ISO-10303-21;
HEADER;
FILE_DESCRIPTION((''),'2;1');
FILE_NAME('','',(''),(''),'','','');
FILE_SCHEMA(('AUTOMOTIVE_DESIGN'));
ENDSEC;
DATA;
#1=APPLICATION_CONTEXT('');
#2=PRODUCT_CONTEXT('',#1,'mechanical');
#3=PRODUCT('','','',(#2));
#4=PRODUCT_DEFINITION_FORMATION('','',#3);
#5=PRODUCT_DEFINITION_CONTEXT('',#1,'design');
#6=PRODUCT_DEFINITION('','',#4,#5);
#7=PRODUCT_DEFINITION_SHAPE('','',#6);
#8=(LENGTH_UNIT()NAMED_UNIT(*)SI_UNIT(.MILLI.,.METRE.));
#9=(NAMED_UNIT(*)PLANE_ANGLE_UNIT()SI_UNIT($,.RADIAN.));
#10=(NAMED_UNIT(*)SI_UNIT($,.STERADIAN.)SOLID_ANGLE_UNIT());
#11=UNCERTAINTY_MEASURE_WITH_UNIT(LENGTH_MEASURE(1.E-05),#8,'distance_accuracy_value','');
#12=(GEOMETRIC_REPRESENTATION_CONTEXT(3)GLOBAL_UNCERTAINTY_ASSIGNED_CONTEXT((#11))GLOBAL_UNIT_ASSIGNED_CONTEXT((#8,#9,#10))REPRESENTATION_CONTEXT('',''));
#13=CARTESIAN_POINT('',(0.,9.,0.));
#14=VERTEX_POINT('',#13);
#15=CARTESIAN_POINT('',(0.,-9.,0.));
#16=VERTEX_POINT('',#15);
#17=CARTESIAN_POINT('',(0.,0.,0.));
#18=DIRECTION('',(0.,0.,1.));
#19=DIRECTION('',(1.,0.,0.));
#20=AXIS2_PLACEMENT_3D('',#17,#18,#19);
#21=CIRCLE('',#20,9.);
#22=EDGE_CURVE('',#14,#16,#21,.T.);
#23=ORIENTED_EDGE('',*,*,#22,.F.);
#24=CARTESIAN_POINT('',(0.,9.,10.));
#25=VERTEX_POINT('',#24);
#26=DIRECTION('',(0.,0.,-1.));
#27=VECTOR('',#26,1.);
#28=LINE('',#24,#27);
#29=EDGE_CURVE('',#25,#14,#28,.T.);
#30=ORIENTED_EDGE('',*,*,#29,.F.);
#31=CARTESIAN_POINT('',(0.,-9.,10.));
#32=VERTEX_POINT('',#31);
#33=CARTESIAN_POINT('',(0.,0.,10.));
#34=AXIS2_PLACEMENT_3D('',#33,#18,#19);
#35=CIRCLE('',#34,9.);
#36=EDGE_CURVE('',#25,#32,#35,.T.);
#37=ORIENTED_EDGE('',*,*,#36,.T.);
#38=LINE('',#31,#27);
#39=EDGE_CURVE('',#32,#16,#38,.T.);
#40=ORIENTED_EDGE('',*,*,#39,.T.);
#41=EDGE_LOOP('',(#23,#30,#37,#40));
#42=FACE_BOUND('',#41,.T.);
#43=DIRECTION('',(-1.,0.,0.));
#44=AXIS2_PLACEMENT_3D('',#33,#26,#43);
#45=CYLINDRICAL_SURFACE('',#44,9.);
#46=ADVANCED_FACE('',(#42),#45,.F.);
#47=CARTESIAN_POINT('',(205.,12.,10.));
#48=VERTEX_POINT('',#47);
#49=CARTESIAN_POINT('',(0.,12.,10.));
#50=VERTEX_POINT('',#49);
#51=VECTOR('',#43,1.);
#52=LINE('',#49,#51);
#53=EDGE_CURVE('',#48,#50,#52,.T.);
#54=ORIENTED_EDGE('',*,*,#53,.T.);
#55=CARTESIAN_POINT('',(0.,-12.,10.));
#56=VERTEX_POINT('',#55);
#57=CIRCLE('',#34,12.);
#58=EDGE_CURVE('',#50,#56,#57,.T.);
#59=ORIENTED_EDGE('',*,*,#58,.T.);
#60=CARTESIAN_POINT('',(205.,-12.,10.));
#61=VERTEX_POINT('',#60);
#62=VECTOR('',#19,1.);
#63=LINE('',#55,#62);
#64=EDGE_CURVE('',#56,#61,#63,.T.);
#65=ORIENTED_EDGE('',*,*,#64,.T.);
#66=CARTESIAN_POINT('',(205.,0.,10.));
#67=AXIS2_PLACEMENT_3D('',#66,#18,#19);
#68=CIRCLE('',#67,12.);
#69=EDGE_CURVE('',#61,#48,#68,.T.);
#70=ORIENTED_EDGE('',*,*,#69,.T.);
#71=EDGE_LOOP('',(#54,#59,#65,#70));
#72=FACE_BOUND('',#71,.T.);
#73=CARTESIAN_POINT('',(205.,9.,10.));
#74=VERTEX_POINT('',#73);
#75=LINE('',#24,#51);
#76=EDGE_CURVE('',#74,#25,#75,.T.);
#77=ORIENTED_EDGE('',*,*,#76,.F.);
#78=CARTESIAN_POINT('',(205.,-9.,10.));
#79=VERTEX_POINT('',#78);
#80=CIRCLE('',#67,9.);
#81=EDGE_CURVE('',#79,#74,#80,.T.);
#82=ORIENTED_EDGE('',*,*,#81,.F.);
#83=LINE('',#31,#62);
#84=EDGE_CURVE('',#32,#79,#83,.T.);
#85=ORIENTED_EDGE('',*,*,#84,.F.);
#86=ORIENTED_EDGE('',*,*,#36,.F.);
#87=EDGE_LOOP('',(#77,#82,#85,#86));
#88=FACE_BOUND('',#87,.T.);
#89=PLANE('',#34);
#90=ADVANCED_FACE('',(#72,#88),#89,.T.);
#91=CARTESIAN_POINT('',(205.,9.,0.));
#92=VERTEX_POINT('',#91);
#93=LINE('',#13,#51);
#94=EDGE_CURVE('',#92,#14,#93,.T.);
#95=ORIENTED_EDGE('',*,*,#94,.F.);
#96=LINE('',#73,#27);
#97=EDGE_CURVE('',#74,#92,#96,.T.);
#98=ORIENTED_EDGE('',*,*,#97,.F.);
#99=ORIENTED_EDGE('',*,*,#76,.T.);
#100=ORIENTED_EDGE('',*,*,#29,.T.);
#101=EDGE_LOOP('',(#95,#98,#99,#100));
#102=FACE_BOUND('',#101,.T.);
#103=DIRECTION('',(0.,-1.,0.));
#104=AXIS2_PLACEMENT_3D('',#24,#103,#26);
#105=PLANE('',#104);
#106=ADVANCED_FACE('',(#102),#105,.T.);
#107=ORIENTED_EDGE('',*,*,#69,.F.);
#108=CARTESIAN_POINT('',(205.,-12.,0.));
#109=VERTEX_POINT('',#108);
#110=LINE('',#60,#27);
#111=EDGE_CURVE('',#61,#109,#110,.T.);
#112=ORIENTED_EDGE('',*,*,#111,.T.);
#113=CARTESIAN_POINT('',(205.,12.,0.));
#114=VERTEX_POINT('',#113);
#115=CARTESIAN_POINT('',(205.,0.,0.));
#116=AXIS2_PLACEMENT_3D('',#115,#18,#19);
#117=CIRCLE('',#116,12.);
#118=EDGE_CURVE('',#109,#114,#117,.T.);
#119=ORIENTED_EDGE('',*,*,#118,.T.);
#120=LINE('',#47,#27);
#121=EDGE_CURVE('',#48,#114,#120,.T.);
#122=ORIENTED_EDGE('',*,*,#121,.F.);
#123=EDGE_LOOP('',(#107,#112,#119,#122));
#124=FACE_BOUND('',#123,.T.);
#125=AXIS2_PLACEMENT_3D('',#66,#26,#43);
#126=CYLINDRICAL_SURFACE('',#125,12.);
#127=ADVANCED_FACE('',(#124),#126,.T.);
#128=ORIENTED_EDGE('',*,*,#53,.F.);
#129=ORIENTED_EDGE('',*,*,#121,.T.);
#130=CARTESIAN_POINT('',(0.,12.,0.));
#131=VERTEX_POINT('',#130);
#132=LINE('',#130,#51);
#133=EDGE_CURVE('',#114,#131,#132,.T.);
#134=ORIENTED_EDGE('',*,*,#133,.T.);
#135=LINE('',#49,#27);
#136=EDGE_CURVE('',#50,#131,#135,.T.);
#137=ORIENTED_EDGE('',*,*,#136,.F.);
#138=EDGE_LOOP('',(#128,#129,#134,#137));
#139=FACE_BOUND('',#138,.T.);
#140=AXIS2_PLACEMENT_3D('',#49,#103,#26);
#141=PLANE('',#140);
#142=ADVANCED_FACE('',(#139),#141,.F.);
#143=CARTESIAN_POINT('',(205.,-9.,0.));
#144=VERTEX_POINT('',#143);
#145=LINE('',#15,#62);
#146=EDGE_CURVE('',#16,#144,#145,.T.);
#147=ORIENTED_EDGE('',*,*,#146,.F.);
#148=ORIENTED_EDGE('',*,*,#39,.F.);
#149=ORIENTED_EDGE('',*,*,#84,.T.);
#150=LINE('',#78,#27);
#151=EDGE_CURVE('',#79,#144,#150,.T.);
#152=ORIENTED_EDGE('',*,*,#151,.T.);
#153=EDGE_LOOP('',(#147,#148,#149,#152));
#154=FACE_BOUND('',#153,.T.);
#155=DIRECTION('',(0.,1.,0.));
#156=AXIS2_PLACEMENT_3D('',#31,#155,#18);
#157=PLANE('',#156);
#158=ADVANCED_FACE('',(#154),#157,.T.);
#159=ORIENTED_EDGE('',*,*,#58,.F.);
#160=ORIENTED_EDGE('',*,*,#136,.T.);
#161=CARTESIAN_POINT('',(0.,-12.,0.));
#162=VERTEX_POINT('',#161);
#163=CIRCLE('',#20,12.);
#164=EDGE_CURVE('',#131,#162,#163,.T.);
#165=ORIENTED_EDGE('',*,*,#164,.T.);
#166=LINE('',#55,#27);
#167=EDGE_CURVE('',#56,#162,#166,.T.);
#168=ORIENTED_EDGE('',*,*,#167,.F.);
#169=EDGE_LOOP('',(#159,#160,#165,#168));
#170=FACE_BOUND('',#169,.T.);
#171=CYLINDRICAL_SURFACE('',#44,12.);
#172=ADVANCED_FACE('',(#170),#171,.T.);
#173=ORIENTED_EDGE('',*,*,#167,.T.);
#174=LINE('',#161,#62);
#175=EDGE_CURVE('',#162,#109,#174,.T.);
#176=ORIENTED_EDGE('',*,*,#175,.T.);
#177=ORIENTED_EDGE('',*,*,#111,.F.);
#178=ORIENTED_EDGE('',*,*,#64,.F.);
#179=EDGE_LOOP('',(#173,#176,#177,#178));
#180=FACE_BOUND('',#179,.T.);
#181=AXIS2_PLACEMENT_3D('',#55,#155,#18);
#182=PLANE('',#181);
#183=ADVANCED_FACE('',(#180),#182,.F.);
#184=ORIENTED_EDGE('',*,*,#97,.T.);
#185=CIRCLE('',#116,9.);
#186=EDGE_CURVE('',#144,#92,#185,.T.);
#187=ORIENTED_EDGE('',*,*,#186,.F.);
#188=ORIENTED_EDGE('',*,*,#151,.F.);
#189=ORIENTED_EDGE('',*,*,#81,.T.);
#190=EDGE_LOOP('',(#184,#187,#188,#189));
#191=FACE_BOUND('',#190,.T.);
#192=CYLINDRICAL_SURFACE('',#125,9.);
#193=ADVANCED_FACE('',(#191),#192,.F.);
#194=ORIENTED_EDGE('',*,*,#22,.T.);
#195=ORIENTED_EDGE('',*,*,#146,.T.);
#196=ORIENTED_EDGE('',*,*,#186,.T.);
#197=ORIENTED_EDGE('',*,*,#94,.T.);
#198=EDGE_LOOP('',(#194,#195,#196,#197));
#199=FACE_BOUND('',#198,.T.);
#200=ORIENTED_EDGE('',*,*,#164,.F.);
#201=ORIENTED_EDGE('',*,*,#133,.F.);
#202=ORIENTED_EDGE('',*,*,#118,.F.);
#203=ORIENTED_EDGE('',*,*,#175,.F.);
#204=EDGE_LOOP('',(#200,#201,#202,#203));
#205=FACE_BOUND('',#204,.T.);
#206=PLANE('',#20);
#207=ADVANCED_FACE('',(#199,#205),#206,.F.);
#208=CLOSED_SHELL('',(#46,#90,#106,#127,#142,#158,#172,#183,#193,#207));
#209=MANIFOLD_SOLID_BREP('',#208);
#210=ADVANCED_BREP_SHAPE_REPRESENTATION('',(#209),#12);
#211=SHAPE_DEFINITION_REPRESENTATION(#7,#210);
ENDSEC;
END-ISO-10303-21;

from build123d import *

# Parameters (mm, degrees)
EXTRUDE_1_DEPTH = 10


with BuildPart() as part:
    # 草图1 → 凸台-拉伸1 (new body)
    with BuildSketch(Plane.XY):
        with BuildLine():
            Line((0, 12), (205, 12))
            ThreePointArc((205, 12), (217, 0), (205, -12))
            Line((205, -12), (0, -12))
            ThreePointArc((0, -12), (-12, 0), (0, 12))
        make_face()
        with BuildLine():
            Line((0, 9), (205, 9))
            ThreePointArc((205, 9), (214, 0), (205, -9))
            Line((205, -9), (0, -9))
            ThreePointArc((0, -9), (-9, 0), (0, 9))
        make_face(mode=Mode.SUBTRACT)
    extrude(amount=EXTRUDE_1_DEPTH)


solid = part.part
